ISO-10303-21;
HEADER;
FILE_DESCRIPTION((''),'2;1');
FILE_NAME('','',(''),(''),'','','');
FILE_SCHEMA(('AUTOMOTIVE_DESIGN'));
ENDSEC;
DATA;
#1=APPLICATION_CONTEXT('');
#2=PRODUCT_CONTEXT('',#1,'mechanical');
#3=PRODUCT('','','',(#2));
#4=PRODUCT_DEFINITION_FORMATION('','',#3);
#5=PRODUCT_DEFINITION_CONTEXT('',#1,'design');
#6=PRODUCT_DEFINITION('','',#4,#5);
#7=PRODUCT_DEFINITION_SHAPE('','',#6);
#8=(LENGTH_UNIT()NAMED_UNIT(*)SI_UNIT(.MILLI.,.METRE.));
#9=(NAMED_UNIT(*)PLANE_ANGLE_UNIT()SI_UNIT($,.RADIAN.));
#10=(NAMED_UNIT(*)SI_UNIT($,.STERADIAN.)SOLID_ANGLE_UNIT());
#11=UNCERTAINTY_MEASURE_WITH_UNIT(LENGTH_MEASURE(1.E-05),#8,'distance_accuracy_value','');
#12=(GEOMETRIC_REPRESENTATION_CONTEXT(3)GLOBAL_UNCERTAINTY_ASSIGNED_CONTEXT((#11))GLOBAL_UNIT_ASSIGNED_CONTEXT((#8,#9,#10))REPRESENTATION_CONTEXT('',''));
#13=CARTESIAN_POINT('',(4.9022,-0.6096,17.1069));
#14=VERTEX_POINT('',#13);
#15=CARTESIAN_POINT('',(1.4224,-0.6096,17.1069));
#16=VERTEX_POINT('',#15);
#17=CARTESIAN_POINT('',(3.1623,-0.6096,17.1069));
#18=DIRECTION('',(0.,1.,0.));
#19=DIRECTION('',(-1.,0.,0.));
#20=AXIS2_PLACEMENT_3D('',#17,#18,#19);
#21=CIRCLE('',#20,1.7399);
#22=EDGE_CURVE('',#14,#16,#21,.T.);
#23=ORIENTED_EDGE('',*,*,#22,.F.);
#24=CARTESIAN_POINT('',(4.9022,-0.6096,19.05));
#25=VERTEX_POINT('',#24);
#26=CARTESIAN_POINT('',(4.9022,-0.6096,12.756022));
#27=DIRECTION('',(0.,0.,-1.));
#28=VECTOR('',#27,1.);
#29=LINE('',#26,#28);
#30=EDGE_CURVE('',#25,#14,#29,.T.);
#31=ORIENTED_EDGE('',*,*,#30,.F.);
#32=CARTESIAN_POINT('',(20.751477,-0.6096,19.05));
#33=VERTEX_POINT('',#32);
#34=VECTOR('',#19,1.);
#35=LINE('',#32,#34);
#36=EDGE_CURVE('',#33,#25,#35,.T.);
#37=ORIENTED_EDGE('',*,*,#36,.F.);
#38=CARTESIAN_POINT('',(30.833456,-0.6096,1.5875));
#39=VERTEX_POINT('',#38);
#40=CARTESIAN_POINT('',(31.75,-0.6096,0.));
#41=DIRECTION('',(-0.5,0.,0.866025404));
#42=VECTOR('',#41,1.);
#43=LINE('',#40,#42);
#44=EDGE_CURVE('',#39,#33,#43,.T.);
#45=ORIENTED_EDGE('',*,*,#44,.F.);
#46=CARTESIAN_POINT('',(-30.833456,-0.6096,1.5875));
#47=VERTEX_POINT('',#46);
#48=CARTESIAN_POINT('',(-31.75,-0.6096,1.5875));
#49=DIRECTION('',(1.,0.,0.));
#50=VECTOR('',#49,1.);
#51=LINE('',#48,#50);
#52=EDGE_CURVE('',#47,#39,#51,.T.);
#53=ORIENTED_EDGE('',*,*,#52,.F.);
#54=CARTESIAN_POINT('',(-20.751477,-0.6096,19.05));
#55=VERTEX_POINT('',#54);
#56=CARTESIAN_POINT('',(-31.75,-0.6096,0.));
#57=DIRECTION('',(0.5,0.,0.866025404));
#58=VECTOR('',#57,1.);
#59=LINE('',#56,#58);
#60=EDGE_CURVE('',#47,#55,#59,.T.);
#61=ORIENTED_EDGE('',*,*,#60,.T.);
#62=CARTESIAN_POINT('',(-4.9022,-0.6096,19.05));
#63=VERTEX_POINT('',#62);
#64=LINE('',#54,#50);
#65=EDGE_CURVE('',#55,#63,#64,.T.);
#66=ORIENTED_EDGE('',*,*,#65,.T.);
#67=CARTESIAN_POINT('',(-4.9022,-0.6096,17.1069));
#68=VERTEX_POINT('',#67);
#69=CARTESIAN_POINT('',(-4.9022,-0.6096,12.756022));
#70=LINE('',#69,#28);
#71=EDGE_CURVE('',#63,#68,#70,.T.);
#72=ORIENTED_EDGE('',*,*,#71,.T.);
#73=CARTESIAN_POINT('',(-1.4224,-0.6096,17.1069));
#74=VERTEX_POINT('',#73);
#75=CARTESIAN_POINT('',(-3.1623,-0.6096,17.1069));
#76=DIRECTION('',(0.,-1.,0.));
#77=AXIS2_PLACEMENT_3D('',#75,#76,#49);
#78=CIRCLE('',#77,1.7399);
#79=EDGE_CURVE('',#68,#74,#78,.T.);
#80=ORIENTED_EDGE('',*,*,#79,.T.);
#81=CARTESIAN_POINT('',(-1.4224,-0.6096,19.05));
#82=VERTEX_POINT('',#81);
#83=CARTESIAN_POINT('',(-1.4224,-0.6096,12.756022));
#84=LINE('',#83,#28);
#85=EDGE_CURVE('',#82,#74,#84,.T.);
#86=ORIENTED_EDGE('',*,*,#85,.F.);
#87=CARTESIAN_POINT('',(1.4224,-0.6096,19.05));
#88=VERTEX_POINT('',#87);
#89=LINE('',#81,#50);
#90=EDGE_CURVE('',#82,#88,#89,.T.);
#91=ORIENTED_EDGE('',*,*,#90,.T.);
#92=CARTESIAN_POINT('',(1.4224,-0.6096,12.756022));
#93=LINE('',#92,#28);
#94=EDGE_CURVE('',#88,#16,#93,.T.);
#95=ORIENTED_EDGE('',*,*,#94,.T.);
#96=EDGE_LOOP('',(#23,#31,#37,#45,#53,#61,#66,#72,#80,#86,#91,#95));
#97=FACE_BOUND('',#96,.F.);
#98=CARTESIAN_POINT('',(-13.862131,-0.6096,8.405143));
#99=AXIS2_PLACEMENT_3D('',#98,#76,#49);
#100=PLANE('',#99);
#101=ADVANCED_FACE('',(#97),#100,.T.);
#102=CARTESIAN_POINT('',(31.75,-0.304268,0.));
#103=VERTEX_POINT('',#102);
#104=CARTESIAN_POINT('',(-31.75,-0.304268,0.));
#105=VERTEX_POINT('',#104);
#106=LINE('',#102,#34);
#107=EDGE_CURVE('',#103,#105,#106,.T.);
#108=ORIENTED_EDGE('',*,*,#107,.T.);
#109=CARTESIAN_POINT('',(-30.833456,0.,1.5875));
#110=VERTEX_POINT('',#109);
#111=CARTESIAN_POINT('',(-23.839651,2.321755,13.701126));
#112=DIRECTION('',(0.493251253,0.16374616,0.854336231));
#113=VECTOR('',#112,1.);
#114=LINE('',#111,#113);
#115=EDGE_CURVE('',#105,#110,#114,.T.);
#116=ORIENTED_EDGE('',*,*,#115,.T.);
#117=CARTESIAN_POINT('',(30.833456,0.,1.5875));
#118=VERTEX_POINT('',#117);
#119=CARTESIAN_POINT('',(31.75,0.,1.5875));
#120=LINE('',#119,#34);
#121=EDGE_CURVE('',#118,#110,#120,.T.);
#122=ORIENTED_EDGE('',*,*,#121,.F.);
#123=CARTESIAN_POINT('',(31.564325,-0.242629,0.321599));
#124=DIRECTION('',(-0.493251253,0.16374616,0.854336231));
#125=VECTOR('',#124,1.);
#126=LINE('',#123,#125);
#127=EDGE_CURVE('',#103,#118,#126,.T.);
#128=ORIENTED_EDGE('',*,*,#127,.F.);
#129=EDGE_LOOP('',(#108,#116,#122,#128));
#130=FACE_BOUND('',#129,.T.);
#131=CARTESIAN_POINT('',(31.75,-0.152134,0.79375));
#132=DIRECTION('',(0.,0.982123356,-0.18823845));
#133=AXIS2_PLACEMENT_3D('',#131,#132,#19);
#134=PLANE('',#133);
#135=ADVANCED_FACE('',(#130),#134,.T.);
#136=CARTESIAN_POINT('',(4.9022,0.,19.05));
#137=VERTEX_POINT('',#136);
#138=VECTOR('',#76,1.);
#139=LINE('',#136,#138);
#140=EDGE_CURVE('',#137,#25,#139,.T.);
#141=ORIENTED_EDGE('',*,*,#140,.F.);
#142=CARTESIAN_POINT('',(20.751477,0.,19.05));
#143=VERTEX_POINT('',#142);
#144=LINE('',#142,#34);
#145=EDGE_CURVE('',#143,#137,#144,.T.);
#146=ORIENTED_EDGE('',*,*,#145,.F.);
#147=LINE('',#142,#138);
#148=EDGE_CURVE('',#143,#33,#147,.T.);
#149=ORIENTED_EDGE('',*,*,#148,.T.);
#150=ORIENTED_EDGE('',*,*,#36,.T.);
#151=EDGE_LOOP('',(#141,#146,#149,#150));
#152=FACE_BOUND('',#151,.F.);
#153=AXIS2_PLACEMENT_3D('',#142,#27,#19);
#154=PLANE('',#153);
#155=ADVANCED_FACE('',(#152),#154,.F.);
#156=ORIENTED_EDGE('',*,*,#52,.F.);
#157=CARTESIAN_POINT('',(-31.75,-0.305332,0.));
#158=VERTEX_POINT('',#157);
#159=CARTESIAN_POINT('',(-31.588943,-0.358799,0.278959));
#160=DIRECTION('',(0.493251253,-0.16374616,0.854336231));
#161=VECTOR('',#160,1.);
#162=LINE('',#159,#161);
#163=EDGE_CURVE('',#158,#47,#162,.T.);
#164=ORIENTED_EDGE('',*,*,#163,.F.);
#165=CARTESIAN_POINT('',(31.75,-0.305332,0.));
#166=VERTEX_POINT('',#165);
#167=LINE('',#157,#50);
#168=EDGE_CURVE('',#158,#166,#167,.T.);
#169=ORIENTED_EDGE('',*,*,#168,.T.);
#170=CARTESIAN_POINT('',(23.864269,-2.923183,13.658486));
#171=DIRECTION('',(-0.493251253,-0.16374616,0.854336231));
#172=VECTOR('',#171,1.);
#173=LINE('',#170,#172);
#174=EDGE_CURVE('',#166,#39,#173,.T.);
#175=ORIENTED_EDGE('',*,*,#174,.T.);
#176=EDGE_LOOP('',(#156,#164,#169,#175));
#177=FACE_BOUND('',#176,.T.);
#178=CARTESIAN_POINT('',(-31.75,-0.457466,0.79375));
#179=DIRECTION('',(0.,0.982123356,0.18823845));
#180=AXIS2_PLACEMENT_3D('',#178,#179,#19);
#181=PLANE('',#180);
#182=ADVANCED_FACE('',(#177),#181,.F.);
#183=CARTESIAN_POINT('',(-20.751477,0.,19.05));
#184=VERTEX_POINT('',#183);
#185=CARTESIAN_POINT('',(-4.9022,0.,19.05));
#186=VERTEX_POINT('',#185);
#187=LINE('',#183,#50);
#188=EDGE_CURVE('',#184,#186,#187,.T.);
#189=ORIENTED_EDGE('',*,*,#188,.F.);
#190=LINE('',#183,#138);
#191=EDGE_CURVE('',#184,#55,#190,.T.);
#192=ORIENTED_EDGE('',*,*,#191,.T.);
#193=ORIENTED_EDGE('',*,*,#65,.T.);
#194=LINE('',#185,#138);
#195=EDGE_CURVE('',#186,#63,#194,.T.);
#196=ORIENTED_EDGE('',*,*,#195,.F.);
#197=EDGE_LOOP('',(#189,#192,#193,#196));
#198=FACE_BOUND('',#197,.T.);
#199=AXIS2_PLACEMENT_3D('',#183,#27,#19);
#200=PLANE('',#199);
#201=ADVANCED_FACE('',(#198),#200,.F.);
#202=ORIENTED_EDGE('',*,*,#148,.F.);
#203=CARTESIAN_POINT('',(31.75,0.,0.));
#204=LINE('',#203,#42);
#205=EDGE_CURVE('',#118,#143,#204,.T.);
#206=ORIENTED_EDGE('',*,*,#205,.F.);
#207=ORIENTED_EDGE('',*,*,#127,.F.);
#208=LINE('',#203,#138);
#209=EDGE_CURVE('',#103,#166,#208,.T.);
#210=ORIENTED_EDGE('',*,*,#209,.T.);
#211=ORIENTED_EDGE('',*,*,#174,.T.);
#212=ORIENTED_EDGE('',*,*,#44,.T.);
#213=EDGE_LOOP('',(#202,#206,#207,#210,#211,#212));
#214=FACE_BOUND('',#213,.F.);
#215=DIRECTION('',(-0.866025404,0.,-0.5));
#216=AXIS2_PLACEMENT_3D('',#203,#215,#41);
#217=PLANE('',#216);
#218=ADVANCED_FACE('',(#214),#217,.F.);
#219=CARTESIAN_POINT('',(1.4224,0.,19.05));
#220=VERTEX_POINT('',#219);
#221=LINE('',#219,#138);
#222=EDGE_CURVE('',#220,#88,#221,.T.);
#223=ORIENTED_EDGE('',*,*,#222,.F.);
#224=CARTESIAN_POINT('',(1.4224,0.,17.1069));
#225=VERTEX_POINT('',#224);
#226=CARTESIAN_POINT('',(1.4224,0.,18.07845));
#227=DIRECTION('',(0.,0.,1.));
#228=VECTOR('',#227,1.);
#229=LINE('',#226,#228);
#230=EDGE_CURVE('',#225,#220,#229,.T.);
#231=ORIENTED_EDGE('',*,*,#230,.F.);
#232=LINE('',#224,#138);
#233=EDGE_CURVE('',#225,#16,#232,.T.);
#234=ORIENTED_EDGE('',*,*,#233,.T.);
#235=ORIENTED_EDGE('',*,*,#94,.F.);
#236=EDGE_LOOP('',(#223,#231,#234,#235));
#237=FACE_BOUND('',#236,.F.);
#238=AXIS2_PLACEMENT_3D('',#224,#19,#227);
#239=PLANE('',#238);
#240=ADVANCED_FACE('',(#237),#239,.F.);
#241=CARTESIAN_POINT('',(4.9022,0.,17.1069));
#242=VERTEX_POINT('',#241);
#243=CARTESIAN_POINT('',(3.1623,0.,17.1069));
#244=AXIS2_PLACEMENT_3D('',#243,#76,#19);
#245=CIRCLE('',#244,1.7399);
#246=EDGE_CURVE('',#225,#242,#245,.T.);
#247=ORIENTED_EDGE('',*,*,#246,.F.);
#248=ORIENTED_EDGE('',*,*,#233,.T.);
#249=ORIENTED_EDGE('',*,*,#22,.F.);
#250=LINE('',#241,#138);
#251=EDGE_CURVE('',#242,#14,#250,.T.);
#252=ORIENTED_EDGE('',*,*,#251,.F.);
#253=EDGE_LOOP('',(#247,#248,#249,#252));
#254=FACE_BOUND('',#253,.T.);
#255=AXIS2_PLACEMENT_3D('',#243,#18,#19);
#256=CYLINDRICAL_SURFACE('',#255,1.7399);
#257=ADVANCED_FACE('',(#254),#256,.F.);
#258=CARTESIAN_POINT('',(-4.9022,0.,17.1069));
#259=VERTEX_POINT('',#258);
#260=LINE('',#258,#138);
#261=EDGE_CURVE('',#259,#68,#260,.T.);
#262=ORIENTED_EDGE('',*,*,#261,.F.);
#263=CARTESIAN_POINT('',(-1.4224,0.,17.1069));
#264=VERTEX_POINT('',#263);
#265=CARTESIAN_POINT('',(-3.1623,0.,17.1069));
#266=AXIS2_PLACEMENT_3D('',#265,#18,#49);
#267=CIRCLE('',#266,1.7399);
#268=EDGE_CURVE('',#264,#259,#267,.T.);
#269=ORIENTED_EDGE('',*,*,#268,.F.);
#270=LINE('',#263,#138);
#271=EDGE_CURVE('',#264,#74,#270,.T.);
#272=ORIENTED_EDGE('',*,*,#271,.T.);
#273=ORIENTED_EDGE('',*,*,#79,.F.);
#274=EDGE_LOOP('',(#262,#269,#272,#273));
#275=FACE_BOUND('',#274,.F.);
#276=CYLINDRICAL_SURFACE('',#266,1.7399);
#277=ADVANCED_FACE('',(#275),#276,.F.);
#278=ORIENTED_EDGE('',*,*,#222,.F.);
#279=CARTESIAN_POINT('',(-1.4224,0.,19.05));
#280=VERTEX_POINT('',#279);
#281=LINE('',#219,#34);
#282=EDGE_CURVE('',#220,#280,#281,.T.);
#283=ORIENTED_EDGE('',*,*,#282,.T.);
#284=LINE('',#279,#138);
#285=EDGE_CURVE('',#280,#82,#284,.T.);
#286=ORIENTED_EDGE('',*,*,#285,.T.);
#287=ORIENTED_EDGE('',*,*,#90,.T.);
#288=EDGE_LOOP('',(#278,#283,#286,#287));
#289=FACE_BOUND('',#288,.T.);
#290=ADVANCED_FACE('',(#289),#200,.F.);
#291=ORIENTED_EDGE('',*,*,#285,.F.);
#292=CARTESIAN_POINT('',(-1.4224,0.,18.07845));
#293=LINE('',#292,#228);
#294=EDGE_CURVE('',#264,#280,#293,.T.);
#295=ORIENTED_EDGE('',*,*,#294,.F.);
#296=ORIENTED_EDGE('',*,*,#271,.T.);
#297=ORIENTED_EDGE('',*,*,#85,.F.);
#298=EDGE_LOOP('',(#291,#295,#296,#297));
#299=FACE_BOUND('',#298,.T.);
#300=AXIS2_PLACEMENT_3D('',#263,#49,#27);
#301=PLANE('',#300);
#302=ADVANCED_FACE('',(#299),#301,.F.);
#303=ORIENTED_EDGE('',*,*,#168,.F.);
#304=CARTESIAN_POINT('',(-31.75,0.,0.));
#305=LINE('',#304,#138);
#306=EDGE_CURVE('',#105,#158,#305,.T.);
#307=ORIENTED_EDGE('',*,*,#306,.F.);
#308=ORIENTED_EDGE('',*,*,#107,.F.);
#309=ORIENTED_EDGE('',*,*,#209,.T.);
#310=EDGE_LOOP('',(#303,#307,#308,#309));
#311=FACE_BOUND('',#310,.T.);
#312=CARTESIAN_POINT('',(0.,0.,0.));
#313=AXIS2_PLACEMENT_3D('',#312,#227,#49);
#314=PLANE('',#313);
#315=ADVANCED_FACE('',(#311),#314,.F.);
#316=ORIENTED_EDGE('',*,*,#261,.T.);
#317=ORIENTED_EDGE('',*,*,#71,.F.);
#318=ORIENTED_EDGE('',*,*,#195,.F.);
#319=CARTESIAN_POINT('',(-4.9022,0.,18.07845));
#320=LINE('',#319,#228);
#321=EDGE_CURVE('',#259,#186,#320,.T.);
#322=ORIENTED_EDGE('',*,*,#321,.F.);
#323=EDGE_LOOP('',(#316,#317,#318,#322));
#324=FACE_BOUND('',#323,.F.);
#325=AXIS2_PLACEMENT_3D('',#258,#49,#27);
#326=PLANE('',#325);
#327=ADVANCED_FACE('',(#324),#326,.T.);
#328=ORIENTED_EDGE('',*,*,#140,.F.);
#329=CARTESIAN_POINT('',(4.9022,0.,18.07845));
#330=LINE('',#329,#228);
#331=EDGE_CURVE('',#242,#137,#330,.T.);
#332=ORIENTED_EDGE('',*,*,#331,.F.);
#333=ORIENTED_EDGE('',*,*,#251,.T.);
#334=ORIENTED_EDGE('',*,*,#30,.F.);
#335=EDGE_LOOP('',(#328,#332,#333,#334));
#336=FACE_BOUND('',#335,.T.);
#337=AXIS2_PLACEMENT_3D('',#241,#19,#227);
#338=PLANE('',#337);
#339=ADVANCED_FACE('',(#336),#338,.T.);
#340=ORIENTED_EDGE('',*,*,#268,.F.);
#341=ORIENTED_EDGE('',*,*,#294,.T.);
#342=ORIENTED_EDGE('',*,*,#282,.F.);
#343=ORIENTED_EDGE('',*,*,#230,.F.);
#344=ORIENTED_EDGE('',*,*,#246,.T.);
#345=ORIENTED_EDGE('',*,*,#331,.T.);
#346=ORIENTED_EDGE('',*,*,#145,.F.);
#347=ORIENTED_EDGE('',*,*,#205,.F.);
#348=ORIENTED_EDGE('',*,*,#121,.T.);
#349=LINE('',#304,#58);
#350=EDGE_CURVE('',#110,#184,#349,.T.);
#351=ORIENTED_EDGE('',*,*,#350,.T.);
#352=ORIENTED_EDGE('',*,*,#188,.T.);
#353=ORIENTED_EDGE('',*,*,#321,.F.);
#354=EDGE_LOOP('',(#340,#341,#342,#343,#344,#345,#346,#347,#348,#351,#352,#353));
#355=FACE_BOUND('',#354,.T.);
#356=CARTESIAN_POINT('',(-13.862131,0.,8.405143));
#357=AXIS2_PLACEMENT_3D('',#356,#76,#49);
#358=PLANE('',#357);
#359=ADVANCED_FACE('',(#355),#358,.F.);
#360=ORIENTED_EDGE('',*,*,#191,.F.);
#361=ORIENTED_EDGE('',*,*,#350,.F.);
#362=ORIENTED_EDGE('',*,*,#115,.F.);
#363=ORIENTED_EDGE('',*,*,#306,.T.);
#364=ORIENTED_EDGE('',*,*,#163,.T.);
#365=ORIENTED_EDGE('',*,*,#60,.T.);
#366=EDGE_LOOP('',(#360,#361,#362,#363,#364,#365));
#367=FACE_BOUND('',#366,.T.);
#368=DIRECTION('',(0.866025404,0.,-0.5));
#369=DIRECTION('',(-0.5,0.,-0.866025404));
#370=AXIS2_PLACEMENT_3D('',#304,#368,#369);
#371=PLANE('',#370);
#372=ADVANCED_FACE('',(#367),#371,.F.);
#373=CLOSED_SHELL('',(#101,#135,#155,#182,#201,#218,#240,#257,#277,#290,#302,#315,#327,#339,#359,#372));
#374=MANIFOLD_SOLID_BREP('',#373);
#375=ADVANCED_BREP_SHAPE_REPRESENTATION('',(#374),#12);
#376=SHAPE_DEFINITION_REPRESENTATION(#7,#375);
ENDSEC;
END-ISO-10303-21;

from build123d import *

# Parameters (mm, degrees)
F1_DEPTH = 0.6096
F2_W     = 3.4798
F2_H     = 1.9431
F3_DEPTH = 25.4
F5_SIZE2 = 1.5875
F5_SIZE  = 0.3042678278


with BuildPart() as f1:
    # F0 (on Front) → F1 (new body)
    with BuildSketch(Plane.XZ):
        Polygon((0, 19.05), (0, 0), (31.75, 0), (20.7514773719, 19.05), align=None)
    extrude(amount=F1_DEPTH)

    # F2 (on Front) → F3 (cut)
    with BuildSketch(Plane.XZ):
        with BuildLine():
            ThreePointArc((1.4224, 17.1069), (3.1623, 15.367), (4.9022, 17.1069))
            Line((4.9022, 17.1069), (1.4224, 17.1069))
        make_face()
        with Locations((3.1623, 18.07845)):
            Rectangle(F2_W, F2_H)
    extrude(amount=F3_DEPTH, mode=Mode.SUBTRACT)

    # F4: F1 across plane


with BuildPart() as f1_1:
    add(f1.part)
    add(f1.part.mirror(Plane.YZ))

    # F5
    f5_edges = [f1_1.edges().sort_by_distance(p)[0] for p in [
        (0, 0, 0),
        (0, -0.6096, 0),
    ]]
    f5_side = f1_1.faces().sort_by_distance((0, -0.3048, 0))[0]
    chamfer(f5_edges, length=F5_SIZE, length2=F5_SIZE2, reference=f5_side)


solid = f1_1.part
